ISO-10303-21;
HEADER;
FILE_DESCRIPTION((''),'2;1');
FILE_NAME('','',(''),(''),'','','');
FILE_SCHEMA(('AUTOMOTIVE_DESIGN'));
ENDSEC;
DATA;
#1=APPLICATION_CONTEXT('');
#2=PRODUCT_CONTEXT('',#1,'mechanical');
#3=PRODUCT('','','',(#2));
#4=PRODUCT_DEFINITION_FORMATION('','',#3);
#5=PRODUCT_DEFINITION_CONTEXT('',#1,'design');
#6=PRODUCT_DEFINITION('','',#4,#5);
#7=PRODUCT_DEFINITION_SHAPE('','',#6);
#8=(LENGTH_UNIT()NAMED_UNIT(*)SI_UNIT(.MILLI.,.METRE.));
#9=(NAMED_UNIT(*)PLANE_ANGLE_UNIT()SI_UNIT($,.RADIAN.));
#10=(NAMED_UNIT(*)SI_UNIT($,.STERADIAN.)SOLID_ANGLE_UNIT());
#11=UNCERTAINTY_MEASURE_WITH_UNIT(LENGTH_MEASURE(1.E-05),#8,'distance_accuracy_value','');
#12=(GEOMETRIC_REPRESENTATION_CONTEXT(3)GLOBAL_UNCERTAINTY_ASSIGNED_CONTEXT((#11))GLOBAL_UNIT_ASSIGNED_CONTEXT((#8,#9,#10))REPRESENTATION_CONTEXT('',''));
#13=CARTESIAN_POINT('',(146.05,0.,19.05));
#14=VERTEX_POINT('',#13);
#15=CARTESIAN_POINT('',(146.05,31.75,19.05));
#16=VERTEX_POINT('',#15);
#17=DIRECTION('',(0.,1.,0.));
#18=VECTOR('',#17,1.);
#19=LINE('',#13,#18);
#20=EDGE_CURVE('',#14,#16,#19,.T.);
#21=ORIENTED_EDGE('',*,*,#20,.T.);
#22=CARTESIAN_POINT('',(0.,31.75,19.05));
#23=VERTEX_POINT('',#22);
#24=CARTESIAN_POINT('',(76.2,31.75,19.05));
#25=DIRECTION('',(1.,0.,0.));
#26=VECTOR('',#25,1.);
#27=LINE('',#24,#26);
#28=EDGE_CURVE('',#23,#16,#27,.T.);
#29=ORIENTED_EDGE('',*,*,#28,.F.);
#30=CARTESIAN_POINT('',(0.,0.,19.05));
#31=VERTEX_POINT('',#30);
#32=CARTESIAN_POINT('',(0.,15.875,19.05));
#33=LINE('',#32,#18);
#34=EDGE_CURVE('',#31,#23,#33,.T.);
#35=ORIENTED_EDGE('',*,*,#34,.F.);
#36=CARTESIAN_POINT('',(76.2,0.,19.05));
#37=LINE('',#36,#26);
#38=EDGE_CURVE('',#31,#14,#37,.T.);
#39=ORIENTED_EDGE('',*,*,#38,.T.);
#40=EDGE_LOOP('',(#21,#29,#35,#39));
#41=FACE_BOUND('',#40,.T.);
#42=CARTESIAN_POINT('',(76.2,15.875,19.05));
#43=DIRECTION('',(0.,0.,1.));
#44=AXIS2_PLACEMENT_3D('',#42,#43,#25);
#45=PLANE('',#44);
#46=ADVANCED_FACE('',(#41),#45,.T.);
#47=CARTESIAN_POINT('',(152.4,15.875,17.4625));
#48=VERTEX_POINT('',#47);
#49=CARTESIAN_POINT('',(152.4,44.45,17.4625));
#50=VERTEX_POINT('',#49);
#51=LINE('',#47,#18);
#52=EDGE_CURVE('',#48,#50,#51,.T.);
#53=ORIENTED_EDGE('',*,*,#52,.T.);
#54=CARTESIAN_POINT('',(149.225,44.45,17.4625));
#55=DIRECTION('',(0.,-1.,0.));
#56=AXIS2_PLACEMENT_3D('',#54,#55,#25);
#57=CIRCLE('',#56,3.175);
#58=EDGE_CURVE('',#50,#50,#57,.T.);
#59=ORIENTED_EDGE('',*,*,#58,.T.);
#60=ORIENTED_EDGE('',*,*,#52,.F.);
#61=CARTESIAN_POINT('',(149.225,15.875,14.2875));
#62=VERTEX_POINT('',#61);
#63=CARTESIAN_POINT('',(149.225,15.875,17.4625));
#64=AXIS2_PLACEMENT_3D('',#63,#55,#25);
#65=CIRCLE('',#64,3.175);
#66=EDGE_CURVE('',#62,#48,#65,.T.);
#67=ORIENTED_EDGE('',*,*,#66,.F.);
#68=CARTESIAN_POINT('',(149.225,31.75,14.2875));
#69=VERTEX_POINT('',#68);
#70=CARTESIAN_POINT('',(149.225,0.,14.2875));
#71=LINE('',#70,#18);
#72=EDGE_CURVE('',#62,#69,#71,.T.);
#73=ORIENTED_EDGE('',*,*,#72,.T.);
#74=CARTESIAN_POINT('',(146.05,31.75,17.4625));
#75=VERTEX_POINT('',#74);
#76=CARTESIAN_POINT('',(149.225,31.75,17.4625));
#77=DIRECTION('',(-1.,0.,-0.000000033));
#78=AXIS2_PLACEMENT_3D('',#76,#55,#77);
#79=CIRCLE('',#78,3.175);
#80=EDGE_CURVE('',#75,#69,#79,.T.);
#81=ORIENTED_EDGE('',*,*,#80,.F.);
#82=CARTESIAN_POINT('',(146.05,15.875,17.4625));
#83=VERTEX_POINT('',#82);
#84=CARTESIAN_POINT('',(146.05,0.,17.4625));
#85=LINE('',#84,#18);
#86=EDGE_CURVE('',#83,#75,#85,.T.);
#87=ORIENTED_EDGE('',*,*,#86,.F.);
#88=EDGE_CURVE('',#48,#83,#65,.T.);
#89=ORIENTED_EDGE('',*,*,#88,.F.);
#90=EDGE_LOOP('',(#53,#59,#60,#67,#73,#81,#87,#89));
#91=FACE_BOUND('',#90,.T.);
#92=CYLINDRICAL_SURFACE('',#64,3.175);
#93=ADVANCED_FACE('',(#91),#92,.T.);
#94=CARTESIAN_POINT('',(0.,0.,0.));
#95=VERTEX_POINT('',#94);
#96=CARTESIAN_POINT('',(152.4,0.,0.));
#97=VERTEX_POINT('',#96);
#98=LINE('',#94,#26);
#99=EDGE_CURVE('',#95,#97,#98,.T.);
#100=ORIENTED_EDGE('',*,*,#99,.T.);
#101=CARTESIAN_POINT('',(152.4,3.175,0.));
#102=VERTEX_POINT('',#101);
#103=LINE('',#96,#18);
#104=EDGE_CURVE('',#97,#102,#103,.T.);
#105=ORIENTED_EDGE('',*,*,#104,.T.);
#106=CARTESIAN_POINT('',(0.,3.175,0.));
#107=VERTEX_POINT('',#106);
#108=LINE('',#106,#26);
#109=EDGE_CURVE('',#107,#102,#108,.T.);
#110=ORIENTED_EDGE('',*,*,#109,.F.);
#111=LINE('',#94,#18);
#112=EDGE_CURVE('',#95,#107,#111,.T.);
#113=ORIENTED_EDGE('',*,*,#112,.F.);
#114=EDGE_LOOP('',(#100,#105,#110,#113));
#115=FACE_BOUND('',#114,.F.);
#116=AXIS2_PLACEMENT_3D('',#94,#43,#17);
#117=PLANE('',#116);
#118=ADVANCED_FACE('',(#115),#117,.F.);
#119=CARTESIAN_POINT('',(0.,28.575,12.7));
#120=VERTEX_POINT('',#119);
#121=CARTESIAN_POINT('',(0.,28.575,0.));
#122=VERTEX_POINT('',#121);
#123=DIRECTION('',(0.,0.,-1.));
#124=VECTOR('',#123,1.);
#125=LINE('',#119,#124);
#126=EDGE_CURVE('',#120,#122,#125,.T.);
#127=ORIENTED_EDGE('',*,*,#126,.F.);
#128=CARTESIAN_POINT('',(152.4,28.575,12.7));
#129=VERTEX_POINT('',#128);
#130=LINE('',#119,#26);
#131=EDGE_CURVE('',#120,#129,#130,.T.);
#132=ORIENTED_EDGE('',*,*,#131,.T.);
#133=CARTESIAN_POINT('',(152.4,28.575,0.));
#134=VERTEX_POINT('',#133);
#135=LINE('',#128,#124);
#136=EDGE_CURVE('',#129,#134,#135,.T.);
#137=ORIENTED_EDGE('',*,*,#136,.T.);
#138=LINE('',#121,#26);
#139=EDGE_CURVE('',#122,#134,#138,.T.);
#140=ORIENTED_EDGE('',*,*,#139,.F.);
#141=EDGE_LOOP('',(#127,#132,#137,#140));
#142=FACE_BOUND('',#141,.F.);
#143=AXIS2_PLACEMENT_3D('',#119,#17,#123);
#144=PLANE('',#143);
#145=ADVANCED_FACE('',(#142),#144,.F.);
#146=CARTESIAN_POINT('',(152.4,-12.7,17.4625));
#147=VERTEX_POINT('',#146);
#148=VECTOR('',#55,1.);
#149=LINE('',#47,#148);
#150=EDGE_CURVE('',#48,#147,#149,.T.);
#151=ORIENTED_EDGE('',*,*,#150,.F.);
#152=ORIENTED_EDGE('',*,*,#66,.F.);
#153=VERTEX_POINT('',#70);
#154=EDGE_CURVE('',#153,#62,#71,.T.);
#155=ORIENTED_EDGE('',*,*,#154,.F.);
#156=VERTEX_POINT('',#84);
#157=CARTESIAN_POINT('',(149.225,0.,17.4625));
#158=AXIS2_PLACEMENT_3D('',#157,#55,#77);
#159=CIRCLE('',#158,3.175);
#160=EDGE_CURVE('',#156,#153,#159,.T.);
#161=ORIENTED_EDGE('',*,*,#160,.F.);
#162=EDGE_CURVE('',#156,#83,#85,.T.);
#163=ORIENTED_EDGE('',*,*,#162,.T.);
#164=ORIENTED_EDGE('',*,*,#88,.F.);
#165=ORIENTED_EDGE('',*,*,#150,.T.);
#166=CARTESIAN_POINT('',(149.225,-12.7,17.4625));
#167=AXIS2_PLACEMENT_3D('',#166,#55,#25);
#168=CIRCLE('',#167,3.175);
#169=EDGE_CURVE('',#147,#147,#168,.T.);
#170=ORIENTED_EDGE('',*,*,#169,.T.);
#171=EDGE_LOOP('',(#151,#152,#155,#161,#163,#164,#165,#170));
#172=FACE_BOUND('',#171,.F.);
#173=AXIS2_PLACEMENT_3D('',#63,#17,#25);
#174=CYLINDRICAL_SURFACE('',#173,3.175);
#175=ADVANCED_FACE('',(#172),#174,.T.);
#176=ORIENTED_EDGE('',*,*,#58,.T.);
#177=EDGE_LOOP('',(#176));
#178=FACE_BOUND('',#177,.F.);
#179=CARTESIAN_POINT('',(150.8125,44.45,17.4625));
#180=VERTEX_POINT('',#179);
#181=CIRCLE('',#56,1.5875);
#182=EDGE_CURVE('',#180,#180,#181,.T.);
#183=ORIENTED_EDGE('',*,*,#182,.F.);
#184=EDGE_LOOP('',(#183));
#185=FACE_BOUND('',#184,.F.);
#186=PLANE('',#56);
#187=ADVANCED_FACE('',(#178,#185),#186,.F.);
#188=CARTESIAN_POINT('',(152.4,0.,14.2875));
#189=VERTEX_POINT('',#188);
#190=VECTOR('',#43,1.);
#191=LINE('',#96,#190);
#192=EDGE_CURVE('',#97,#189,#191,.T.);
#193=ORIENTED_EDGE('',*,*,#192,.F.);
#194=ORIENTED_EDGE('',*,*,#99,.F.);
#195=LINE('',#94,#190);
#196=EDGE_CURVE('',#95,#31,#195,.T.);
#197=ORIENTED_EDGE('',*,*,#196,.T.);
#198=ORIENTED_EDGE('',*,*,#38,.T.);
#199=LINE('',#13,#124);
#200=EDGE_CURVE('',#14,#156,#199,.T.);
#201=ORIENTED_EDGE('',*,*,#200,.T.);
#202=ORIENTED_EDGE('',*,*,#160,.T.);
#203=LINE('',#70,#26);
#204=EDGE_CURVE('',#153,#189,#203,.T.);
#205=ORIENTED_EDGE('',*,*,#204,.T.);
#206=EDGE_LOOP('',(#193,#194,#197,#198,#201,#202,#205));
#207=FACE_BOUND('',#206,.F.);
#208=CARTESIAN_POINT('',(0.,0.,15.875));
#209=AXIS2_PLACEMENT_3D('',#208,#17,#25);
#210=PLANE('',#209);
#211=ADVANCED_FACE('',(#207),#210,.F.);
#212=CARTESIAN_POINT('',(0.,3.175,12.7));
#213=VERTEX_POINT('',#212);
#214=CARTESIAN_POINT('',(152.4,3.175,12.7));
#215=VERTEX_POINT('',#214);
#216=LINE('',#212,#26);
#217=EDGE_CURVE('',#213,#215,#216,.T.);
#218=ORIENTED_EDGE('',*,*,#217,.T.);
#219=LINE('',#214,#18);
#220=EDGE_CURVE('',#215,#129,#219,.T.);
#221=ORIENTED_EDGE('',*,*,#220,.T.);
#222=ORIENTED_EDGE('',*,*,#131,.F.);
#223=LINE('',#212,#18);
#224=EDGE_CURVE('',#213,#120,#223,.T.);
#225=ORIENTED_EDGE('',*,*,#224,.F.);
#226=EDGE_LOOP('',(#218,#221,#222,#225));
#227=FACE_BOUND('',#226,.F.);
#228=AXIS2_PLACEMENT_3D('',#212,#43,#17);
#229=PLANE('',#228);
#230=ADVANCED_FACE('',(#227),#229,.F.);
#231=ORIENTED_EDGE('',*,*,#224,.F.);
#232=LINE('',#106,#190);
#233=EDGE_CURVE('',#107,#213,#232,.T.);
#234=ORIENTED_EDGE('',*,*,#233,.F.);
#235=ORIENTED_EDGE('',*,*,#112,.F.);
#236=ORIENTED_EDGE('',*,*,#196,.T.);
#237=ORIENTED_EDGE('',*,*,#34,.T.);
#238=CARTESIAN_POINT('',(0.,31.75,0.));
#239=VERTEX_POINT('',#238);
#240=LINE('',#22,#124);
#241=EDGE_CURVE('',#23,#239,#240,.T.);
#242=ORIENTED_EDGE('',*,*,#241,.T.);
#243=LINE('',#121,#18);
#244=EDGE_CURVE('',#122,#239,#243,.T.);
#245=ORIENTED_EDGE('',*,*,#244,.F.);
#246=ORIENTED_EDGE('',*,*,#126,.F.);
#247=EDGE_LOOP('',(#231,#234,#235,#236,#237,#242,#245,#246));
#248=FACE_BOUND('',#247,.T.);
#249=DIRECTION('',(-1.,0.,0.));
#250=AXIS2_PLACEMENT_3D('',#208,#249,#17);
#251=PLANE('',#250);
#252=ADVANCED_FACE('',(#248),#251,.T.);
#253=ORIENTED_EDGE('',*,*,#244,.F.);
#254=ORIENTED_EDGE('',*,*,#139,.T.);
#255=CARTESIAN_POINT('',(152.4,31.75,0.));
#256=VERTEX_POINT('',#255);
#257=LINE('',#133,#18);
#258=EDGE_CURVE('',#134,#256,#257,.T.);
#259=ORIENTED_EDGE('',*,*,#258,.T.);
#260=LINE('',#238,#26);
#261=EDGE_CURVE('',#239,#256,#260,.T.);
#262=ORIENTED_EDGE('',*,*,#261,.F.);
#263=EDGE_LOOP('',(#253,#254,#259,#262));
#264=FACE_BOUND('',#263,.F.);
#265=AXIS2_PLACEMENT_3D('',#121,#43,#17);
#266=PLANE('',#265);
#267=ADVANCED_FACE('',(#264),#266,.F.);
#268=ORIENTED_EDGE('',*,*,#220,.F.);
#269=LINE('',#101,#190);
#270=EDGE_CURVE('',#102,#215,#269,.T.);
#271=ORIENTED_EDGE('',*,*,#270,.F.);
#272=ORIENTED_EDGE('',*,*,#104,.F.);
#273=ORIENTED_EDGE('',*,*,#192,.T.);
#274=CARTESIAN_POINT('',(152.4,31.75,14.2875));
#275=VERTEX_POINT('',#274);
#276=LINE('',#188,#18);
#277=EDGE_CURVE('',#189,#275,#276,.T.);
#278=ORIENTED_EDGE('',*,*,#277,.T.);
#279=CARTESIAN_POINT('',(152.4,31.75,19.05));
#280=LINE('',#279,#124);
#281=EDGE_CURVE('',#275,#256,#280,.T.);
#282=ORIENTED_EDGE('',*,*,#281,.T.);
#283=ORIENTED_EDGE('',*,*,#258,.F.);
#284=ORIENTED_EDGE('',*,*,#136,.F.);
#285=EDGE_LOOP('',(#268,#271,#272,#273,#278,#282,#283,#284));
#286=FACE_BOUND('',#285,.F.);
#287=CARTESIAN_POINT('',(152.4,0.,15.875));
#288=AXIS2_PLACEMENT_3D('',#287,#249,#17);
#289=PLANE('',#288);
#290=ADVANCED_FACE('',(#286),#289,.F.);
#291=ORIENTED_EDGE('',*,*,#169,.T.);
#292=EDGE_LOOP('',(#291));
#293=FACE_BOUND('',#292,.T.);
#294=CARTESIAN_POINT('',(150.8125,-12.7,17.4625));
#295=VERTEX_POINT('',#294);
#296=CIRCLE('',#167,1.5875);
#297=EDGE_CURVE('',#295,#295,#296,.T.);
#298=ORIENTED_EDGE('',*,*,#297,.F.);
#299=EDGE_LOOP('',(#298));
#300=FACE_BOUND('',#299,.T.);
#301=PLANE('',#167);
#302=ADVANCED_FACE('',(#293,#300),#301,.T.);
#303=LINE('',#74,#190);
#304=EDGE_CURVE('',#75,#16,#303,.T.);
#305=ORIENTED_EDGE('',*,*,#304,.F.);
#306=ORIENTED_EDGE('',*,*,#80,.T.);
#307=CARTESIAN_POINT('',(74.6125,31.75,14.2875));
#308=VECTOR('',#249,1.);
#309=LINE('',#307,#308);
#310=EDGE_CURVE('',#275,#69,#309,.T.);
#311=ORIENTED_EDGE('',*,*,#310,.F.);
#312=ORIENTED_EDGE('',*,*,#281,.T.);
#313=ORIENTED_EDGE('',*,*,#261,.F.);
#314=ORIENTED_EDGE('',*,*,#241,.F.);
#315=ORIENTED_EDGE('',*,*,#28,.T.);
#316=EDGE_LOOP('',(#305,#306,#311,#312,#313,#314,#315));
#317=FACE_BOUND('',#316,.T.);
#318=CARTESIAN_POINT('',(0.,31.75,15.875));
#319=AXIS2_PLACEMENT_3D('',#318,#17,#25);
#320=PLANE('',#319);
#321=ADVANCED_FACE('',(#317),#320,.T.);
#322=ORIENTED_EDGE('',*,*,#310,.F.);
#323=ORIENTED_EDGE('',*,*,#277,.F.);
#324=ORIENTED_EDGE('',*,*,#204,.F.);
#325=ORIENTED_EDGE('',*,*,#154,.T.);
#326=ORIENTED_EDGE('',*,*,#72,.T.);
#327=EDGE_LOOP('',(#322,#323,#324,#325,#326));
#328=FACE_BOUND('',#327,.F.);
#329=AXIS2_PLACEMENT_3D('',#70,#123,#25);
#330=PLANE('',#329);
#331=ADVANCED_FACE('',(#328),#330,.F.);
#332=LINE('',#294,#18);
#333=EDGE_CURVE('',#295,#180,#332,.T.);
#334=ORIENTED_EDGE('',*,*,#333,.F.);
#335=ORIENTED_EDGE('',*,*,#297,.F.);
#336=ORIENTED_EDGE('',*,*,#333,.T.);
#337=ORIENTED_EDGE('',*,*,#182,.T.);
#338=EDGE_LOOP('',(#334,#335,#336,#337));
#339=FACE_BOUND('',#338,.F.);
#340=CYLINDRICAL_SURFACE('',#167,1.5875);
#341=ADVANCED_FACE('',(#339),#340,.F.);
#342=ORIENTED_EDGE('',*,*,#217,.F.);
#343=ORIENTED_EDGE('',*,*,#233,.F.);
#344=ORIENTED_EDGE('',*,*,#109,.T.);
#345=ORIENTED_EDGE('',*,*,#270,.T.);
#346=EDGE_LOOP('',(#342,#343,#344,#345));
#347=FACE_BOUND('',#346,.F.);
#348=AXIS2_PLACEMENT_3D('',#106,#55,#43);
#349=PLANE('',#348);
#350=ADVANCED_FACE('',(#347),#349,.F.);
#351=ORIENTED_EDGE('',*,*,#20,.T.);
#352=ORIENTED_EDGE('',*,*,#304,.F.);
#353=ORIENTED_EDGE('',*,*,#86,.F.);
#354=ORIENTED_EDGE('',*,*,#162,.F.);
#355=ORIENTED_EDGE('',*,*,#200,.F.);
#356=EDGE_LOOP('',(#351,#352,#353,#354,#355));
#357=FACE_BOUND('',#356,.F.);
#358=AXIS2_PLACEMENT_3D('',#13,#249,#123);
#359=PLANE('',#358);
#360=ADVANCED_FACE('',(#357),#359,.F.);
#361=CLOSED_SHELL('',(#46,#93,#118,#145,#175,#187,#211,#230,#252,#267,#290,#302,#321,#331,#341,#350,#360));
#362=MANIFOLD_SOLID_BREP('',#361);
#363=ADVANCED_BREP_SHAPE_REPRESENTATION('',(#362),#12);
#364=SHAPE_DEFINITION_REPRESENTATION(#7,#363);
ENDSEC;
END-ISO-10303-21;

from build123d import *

# Parameters (mm, degrees)
F1_DEPTH      = 152.4
F2_W          = 152.4
F2_H          = 31.75
F3_DEPTH      = 3.175
F5_DEPTH      = 31.751
F7_R          = 3.175
F8_DEPTH      = 28.575
F8_DEPTH_BACK = 28.575
F9_R          = 1.5875
F10_DEPTH     = 57.151


with BuildPart() as f1:
    # F0 (on Right) → F1 (new body)
    with BuildSketch(Plane.YZ):
        Polygon((0, 15.875), (0, 0), (3.175, 0), (3.175, 12.7), (28.575, 12.7), (28.575, 0), (31.75, 0), (31.75, 15.875), align=None)
    extrude(amount=F1_DEPTH)

    # F2 (on face) → F3 (join)
    with BuildSketch(Plane.XY.offset(15.875)):
        with Locations((76.2, 15.875)):
            Rectangle(F2_W, F2_H)
    extrude(amount=F3_DEPTH)

    # F4 (on face) → F5 (cut, through all)
    with BuildSketch(Plane.XZ):
        with BuildLine():
            Line((146.05, 19.05), (146.05, 17.4625))
            ThreePointArc((146.05, 17.4625), (146.979936, 15.217436), (149.225, 14.2875))
            Line((149.225, 14.2875), (152.4, 14.2875))
            Line((152.4, 14.2875), (152.4, 17.4625))
            Line((152.4, 17.4625), (152.4, 19.05))
            Line((152.4, 19.05), (151.974631, 19.05))
            Line((151.974631, 19.05), (146.05, 19.05))
        make_face()
    extrude(amount=-F5_DEPTH, mode=Mode.SUBTRACT)

    # F7 (on offset) → F8 (join, two sides)
    with BuildSketch(Plane.XZ.offset(-15.875)) as f8_sk:
        with Locations((149.225, 17.4625)):
            Circle(F7_R)
    extrude(amount=F8_DEPTH)
    extrude(f8_sk.sketch, amount=-F8_DEPTH_BACK)

    # F9 (on face) → F10 (cut, through all)
    with BuildSketch(Plane.XZ.offset(12.7)):
        with Locations((149.225, 17.4625)):
            Circle(F9_R)
    extrude(amount=-F10_DEPTH, mode=Mode.SUBTRACT)


solid = f1.part
